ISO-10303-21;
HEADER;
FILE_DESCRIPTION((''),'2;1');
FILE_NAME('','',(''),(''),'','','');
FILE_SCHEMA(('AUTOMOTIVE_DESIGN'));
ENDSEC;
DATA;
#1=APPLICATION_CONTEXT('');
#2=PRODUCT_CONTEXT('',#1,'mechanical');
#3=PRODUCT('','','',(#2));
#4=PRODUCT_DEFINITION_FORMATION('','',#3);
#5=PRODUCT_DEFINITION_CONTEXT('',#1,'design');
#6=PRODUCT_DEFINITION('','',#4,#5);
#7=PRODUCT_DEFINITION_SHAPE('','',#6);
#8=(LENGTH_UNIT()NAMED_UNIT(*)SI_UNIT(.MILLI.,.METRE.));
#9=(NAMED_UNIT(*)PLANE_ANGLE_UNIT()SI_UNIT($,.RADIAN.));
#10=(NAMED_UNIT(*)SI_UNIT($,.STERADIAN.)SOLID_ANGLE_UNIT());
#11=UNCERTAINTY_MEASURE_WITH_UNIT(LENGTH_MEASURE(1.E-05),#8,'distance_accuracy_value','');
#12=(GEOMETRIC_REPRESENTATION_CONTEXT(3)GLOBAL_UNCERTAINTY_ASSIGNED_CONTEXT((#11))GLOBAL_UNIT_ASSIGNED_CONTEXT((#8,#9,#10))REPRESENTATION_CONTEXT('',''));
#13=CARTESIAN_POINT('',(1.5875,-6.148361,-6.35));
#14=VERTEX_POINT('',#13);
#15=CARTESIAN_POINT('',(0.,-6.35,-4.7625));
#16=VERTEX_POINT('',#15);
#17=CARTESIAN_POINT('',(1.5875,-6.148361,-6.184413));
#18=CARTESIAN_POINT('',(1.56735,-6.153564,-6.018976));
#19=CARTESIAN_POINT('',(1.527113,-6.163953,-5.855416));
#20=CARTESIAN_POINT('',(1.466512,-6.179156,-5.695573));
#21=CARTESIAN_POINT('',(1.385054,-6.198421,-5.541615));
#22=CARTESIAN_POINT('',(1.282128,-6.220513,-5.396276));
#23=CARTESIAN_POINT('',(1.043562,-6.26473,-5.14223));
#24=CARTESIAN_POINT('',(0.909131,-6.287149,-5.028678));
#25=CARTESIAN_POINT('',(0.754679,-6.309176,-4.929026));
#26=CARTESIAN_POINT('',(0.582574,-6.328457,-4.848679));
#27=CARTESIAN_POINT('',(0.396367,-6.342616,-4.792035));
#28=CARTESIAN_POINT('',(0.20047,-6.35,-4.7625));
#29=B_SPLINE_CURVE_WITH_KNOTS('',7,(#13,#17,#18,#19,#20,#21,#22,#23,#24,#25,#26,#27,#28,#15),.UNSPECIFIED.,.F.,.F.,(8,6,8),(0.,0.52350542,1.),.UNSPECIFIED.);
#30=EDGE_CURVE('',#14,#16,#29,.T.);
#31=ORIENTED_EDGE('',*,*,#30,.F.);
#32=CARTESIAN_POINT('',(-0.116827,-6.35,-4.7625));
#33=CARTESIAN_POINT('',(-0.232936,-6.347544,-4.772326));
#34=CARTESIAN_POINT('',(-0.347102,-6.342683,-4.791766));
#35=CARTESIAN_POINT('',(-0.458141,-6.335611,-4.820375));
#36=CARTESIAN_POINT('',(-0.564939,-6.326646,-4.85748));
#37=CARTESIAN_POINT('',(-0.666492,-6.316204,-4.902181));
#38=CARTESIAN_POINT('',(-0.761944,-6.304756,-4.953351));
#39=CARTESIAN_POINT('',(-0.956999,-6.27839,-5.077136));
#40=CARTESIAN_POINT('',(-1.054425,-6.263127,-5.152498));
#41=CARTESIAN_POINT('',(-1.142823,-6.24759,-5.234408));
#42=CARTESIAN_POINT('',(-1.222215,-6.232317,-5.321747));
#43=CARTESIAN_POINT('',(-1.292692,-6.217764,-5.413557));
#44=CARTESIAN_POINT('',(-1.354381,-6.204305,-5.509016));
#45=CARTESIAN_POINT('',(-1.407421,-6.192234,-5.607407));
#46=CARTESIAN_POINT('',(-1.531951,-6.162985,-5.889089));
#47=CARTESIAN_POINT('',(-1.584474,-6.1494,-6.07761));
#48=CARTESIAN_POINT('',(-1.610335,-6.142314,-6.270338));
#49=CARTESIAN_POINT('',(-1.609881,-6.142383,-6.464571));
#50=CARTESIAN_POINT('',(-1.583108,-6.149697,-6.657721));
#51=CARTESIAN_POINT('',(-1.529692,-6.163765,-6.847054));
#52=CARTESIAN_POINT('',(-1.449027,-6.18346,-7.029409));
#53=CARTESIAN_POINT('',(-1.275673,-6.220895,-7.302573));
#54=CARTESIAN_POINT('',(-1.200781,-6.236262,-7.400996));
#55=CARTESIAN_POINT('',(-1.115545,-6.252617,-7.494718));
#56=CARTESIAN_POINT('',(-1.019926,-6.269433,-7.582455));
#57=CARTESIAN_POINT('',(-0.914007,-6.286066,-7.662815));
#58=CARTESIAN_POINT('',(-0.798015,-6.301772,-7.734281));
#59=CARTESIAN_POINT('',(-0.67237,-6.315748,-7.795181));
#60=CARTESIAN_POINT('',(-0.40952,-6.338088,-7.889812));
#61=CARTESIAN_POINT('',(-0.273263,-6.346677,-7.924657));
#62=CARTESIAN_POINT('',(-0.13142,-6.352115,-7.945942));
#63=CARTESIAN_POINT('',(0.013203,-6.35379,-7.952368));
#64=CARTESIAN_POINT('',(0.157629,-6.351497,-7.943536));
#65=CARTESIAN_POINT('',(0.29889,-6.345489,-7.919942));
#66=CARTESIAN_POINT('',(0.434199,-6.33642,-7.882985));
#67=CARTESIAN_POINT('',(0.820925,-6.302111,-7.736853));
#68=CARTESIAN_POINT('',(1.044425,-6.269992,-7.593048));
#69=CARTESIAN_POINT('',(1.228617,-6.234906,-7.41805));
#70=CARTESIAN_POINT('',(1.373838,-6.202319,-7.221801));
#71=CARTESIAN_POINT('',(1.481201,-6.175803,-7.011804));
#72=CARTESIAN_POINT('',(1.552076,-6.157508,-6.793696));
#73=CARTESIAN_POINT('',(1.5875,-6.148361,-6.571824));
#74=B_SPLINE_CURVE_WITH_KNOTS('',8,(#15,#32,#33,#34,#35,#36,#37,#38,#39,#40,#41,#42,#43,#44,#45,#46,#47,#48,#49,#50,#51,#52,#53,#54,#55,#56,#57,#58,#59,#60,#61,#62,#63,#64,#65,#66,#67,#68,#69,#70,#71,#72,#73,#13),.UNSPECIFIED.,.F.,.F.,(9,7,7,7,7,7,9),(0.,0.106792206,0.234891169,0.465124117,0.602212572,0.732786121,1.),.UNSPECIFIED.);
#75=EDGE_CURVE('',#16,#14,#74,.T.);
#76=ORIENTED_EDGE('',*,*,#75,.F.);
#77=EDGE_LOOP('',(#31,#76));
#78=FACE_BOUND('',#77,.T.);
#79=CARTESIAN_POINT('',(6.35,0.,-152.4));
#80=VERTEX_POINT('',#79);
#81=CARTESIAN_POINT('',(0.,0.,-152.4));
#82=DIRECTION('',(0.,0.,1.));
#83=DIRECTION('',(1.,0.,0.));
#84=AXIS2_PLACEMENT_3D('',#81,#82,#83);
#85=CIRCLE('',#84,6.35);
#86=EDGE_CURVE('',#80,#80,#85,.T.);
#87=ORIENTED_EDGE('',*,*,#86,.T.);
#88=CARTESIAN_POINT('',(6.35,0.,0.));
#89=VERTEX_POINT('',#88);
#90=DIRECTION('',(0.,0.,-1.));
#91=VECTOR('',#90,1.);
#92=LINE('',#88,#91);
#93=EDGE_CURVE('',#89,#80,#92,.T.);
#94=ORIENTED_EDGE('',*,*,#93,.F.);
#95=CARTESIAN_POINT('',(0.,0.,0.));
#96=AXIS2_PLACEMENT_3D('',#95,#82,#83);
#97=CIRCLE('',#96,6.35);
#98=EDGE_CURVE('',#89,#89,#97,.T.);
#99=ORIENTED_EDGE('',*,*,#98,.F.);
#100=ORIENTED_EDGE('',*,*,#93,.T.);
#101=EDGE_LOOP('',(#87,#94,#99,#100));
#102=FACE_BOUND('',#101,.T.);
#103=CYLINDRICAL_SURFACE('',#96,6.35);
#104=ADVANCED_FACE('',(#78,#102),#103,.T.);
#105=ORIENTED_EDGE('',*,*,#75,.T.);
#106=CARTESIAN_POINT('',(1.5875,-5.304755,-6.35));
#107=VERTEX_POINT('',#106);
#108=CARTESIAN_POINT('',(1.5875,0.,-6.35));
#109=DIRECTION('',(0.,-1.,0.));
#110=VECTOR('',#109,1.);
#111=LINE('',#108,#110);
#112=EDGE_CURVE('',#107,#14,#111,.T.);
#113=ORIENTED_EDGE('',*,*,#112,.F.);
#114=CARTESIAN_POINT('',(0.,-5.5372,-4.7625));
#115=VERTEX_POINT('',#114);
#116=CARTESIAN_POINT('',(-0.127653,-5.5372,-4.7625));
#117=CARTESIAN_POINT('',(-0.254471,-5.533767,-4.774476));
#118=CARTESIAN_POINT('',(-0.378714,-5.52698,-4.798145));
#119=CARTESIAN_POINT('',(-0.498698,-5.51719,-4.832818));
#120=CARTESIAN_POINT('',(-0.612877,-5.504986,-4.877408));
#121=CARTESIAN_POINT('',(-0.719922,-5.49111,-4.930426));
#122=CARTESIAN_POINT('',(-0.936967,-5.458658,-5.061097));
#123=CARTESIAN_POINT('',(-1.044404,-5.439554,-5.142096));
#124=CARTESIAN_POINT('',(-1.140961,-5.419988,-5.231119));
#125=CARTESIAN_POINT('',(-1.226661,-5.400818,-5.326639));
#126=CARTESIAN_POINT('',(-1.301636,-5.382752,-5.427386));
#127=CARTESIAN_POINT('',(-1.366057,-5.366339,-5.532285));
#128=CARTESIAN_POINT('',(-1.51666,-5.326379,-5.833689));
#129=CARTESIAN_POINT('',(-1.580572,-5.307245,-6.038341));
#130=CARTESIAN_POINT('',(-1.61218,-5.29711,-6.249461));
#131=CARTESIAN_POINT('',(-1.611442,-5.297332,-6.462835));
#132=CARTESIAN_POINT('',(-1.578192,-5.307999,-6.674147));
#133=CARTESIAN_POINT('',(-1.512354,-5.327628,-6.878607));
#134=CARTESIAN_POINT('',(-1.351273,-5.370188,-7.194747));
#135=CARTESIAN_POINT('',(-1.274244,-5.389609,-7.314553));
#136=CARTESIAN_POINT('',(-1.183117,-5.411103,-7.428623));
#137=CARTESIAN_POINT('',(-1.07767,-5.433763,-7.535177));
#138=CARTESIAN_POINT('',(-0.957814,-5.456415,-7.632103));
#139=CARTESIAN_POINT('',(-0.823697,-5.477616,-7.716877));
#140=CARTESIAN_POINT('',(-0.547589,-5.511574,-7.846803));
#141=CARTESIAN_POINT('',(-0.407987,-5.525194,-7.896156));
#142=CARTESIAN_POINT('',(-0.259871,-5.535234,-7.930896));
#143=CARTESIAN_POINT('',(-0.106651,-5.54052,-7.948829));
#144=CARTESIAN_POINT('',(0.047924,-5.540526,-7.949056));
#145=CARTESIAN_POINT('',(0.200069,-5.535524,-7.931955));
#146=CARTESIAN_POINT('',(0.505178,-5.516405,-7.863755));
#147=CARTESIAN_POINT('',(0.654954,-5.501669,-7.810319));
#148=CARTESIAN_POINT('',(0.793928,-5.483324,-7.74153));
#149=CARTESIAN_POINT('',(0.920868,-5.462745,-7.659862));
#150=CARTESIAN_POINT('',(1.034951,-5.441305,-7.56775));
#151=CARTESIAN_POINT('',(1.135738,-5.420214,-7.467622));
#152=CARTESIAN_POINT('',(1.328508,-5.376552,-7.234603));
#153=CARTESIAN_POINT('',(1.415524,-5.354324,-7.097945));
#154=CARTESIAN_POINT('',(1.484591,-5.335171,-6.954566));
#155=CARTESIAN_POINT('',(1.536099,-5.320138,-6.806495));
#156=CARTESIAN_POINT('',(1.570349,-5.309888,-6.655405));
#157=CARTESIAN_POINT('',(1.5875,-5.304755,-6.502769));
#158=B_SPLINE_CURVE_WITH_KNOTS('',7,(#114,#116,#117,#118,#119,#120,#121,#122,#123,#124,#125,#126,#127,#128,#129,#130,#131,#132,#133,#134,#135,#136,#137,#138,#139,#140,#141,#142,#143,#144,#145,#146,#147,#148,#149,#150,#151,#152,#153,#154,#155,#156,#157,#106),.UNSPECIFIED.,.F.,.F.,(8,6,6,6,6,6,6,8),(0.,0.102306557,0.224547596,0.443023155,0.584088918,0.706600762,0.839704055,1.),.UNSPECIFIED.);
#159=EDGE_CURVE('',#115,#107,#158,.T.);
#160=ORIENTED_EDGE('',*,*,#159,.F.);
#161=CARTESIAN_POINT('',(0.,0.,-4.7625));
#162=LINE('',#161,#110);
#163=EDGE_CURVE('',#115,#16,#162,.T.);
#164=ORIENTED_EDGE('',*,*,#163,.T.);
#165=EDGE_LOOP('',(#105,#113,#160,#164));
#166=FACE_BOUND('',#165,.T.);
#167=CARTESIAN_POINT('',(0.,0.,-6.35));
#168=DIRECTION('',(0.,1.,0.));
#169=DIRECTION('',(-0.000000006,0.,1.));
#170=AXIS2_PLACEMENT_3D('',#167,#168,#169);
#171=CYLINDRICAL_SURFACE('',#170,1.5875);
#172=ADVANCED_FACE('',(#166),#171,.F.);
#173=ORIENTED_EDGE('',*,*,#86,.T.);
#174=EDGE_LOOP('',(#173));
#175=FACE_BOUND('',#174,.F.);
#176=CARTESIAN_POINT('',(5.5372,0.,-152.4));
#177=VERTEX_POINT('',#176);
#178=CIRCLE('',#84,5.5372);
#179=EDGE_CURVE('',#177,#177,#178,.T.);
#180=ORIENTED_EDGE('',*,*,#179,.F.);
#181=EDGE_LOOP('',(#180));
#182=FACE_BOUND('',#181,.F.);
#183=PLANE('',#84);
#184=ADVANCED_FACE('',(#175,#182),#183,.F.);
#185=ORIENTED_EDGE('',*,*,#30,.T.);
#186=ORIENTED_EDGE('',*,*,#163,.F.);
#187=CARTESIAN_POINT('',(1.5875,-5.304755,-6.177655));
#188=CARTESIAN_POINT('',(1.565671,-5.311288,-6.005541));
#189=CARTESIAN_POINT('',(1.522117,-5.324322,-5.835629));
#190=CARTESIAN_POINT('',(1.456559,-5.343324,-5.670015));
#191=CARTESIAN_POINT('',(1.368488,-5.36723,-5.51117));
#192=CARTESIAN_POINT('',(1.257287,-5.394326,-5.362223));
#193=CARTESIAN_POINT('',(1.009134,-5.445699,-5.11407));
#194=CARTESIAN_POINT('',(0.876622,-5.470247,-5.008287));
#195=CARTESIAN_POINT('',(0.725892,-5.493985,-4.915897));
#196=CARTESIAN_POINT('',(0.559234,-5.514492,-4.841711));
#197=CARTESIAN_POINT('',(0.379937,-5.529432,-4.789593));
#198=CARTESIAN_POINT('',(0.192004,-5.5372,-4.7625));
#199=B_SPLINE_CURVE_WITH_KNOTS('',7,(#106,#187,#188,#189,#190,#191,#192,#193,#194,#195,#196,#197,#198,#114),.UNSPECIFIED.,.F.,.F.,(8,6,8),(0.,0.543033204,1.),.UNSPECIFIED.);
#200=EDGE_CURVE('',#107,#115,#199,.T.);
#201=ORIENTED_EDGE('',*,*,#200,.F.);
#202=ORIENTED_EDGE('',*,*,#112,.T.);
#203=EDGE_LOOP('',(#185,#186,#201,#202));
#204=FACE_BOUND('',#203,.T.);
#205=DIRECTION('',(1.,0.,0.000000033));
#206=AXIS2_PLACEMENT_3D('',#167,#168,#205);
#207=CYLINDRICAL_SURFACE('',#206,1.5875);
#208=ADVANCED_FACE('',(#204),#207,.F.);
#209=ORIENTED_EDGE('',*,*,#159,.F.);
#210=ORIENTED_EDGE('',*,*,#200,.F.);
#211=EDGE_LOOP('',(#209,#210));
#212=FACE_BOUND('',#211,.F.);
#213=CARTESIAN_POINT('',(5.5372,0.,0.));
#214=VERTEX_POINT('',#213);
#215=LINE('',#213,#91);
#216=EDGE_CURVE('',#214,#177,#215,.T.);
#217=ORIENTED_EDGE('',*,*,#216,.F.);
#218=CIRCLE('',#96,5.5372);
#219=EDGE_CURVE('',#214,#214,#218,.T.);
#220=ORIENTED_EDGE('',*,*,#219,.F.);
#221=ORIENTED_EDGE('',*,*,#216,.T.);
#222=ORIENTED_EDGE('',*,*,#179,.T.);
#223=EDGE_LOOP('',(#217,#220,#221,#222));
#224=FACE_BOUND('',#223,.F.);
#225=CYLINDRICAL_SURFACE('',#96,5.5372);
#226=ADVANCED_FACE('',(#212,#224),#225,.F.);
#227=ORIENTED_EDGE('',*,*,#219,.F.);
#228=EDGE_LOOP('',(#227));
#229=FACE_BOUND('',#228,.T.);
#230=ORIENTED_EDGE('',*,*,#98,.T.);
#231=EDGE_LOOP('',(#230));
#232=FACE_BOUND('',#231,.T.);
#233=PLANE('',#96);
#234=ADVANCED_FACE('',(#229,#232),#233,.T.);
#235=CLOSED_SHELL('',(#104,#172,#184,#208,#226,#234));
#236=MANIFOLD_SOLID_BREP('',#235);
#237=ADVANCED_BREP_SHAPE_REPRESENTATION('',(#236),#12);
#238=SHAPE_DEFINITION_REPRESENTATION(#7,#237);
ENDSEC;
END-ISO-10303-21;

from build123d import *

# Parameters (mm, degrees)
F0_R     = 6.35
F0_R_2   = 5.5372
F1_DEPTH = 152.4
F3_DEPTH = 25.4


with BuildPart() as f1:
    # F0 (on Top) → F1 (new body)
    with BuildSketch(Plane.XY):
        Circle(F0_R)
        Circle(F0_R_2, mode=Mode.SUBTRACT)
    extrude(amount=-F1_DEPTH)

    # F2 (on Front) → F3 (cut)
    with BuildSketch(Plane.XZ):
        with BuildLine():
            ThreePointArc((0, -4.7625), (-1.122532, -7.472532), (1.5875, -6.35))
            ThreePointArc((1.5875, -6.35), (1.122532, -5.227468), (0, -4.7625))
        make_face()
    extrude(amount=F3_DEPTH, mode=Mode.SUBTRACT)


solid = f1.part
